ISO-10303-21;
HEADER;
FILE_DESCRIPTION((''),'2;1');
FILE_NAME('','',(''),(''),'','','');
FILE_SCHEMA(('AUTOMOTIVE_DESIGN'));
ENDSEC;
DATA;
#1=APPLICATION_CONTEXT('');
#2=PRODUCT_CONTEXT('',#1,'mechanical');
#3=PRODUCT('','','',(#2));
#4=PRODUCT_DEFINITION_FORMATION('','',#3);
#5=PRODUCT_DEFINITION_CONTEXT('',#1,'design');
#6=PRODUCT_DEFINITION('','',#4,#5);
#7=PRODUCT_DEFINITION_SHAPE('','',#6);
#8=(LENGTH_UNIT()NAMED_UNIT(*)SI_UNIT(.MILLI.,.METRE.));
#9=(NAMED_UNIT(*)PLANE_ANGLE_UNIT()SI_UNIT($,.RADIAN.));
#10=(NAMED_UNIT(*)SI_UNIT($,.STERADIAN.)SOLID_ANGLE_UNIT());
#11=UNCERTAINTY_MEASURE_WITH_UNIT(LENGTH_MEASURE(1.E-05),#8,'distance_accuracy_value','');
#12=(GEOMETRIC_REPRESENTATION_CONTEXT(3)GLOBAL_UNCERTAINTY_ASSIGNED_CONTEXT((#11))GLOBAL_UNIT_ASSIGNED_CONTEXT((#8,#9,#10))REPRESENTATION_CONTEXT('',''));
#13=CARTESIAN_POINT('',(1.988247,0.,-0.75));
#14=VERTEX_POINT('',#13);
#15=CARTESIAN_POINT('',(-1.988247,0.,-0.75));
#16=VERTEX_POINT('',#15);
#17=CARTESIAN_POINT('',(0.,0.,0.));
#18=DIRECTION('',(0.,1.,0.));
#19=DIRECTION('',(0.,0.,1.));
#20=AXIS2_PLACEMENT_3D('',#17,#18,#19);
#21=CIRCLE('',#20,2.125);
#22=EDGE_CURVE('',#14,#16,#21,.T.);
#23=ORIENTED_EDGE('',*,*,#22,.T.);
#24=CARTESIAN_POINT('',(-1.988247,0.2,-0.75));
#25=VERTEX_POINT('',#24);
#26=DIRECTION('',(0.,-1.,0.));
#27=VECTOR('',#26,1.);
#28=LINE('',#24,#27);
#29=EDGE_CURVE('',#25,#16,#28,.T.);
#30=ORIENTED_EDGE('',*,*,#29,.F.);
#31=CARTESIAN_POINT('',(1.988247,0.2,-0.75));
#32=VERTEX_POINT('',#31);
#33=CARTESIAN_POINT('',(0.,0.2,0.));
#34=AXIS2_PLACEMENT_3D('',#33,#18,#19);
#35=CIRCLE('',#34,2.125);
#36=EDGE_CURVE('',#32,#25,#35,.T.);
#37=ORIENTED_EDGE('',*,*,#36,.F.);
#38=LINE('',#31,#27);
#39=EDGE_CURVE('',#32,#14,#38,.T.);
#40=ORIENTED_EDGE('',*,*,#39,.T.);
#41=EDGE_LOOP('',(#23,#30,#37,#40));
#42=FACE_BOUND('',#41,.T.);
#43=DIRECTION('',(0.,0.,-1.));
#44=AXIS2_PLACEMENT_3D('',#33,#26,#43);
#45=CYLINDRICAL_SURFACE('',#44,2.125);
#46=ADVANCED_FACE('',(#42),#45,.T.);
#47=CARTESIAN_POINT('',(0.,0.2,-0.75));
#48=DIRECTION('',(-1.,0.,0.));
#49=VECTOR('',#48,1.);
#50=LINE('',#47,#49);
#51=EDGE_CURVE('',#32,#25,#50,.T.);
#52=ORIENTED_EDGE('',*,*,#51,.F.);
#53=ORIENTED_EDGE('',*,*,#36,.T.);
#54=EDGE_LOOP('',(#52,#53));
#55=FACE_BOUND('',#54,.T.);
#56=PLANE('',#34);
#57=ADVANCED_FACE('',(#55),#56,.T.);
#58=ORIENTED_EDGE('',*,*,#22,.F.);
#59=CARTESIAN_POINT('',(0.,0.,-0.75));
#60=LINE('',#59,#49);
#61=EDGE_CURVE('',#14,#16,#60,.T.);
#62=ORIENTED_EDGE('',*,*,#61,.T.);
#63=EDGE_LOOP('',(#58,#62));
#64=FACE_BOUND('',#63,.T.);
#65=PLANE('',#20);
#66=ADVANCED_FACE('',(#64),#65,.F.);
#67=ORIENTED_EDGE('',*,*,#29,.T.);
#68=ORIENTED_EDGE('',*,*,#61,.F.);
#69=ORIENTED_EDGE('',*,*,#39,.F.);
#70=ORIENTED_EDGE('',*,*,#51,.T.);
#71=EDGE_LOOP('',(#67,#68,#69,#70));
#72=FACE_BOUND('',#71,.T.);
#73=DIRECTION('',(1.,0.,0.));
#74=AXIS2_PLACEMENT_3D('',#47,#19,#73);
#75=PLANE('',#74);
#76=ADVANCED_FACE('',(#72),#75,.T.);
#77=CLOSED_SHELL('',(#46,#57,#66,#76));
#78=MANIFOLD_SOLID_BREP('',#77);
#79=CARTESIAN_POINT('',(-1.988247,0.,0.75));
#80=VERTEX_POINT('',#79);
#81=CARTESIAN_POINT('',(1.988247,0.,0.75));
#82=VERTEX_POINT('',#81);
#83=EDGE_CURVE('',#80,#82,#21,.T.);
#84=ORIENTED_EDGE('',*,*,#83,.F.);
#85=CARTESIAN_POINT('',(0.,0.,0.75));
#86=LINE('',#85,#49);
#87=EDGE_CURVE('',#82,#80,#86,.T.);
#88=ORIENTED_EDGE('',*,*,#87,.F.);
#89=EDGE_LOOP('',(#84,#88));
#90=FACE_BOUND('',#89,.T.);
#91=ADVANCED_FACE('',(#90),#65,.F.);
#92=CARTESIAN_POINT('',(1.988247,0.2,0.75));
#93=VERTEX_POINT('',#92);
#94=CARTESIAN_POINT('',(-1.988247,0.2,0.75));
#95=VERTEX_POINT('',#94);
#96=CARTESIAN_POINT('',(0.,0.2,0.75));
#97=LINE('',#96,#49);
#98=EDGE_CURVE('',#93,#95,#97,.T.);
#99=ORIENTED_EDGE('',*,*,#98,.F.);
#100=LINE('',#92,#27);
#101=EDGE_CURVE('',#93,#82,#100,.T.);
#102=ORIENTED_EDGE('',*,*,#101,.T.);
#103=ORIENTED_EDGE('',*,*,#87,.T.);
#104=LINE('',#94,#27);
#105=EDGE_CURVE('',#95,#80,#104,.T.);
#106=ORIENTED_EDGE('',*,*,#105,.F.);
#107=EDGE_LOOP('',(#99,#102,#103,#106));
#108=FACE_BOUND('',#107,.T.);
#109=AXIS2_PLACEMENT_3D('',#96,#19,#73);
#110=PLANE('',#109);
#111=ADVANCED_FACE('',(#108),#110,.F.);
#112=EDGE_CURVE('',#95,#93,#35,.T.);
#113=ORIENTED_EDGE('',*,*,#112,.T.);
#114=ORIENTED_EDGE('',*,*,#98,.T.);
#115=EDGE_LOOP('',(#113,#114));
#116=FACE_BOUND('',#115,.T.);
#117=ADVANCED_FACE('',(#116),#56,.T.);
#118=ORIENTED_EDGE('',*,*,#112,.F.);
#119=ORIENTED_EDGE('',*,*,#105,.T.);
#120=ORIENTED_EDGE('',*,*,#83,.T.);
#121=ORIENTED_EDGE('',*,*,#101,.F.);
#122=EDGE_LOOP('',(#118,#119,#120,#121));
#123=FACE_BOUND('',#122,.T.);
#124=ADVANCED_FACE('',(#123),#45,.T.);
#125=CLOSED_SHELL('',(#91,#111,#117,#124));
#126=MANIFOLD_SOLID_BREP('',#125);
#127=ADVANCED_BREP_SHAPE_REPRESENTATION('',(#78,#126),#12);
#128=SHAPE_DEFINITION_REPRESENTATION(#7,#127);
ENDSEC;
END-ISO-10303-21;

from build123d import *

# Parameters (mm, degrees)
BOSS_EXTRUDE1_DEPTH   = 0.2
BOSS_EXTRUDE1_2_DEPTH = 0.2


with BuildPart() as part:
    # Sketch1 → Boss-Extrude1 (new body)
    with BuildSketch(Plane(origin=(0, 0, 0), x_dir=(1, 0, 0), z_dir=(0, 1, 0))):
        with BuildLine():
            ThreePointArc((-1.988246715, -0.75), (0, -2.125), (1.988246715, -0.75))
            Line((1.988246715, -0.75), (-1.988246715, -0.75))
        make_face()
    extrude(amount=BOSS_EXTRUDE1_DEPTH)


with BuildPart() as body_2:
    # Sketch1 → Boss-Extrude1 2 (new body)
    with BuildSketch(Plane(origin=(0, 0, 0), x_dir=(1, 0, 0), z_dir=(0, 1, 0))):
        with BuildLine():
            Line((-1.988246715, 0.75), (1.988246715, 0.75))
            ThreePointArc((1.988246715, 0.75), (0, 2.125), (-1.988246715, 0.75))
        make_face()
    extrude(amount=BOSS_EXTRUDE1_2_DEPTH)


solid = Compound([part.part, body_2.part])
